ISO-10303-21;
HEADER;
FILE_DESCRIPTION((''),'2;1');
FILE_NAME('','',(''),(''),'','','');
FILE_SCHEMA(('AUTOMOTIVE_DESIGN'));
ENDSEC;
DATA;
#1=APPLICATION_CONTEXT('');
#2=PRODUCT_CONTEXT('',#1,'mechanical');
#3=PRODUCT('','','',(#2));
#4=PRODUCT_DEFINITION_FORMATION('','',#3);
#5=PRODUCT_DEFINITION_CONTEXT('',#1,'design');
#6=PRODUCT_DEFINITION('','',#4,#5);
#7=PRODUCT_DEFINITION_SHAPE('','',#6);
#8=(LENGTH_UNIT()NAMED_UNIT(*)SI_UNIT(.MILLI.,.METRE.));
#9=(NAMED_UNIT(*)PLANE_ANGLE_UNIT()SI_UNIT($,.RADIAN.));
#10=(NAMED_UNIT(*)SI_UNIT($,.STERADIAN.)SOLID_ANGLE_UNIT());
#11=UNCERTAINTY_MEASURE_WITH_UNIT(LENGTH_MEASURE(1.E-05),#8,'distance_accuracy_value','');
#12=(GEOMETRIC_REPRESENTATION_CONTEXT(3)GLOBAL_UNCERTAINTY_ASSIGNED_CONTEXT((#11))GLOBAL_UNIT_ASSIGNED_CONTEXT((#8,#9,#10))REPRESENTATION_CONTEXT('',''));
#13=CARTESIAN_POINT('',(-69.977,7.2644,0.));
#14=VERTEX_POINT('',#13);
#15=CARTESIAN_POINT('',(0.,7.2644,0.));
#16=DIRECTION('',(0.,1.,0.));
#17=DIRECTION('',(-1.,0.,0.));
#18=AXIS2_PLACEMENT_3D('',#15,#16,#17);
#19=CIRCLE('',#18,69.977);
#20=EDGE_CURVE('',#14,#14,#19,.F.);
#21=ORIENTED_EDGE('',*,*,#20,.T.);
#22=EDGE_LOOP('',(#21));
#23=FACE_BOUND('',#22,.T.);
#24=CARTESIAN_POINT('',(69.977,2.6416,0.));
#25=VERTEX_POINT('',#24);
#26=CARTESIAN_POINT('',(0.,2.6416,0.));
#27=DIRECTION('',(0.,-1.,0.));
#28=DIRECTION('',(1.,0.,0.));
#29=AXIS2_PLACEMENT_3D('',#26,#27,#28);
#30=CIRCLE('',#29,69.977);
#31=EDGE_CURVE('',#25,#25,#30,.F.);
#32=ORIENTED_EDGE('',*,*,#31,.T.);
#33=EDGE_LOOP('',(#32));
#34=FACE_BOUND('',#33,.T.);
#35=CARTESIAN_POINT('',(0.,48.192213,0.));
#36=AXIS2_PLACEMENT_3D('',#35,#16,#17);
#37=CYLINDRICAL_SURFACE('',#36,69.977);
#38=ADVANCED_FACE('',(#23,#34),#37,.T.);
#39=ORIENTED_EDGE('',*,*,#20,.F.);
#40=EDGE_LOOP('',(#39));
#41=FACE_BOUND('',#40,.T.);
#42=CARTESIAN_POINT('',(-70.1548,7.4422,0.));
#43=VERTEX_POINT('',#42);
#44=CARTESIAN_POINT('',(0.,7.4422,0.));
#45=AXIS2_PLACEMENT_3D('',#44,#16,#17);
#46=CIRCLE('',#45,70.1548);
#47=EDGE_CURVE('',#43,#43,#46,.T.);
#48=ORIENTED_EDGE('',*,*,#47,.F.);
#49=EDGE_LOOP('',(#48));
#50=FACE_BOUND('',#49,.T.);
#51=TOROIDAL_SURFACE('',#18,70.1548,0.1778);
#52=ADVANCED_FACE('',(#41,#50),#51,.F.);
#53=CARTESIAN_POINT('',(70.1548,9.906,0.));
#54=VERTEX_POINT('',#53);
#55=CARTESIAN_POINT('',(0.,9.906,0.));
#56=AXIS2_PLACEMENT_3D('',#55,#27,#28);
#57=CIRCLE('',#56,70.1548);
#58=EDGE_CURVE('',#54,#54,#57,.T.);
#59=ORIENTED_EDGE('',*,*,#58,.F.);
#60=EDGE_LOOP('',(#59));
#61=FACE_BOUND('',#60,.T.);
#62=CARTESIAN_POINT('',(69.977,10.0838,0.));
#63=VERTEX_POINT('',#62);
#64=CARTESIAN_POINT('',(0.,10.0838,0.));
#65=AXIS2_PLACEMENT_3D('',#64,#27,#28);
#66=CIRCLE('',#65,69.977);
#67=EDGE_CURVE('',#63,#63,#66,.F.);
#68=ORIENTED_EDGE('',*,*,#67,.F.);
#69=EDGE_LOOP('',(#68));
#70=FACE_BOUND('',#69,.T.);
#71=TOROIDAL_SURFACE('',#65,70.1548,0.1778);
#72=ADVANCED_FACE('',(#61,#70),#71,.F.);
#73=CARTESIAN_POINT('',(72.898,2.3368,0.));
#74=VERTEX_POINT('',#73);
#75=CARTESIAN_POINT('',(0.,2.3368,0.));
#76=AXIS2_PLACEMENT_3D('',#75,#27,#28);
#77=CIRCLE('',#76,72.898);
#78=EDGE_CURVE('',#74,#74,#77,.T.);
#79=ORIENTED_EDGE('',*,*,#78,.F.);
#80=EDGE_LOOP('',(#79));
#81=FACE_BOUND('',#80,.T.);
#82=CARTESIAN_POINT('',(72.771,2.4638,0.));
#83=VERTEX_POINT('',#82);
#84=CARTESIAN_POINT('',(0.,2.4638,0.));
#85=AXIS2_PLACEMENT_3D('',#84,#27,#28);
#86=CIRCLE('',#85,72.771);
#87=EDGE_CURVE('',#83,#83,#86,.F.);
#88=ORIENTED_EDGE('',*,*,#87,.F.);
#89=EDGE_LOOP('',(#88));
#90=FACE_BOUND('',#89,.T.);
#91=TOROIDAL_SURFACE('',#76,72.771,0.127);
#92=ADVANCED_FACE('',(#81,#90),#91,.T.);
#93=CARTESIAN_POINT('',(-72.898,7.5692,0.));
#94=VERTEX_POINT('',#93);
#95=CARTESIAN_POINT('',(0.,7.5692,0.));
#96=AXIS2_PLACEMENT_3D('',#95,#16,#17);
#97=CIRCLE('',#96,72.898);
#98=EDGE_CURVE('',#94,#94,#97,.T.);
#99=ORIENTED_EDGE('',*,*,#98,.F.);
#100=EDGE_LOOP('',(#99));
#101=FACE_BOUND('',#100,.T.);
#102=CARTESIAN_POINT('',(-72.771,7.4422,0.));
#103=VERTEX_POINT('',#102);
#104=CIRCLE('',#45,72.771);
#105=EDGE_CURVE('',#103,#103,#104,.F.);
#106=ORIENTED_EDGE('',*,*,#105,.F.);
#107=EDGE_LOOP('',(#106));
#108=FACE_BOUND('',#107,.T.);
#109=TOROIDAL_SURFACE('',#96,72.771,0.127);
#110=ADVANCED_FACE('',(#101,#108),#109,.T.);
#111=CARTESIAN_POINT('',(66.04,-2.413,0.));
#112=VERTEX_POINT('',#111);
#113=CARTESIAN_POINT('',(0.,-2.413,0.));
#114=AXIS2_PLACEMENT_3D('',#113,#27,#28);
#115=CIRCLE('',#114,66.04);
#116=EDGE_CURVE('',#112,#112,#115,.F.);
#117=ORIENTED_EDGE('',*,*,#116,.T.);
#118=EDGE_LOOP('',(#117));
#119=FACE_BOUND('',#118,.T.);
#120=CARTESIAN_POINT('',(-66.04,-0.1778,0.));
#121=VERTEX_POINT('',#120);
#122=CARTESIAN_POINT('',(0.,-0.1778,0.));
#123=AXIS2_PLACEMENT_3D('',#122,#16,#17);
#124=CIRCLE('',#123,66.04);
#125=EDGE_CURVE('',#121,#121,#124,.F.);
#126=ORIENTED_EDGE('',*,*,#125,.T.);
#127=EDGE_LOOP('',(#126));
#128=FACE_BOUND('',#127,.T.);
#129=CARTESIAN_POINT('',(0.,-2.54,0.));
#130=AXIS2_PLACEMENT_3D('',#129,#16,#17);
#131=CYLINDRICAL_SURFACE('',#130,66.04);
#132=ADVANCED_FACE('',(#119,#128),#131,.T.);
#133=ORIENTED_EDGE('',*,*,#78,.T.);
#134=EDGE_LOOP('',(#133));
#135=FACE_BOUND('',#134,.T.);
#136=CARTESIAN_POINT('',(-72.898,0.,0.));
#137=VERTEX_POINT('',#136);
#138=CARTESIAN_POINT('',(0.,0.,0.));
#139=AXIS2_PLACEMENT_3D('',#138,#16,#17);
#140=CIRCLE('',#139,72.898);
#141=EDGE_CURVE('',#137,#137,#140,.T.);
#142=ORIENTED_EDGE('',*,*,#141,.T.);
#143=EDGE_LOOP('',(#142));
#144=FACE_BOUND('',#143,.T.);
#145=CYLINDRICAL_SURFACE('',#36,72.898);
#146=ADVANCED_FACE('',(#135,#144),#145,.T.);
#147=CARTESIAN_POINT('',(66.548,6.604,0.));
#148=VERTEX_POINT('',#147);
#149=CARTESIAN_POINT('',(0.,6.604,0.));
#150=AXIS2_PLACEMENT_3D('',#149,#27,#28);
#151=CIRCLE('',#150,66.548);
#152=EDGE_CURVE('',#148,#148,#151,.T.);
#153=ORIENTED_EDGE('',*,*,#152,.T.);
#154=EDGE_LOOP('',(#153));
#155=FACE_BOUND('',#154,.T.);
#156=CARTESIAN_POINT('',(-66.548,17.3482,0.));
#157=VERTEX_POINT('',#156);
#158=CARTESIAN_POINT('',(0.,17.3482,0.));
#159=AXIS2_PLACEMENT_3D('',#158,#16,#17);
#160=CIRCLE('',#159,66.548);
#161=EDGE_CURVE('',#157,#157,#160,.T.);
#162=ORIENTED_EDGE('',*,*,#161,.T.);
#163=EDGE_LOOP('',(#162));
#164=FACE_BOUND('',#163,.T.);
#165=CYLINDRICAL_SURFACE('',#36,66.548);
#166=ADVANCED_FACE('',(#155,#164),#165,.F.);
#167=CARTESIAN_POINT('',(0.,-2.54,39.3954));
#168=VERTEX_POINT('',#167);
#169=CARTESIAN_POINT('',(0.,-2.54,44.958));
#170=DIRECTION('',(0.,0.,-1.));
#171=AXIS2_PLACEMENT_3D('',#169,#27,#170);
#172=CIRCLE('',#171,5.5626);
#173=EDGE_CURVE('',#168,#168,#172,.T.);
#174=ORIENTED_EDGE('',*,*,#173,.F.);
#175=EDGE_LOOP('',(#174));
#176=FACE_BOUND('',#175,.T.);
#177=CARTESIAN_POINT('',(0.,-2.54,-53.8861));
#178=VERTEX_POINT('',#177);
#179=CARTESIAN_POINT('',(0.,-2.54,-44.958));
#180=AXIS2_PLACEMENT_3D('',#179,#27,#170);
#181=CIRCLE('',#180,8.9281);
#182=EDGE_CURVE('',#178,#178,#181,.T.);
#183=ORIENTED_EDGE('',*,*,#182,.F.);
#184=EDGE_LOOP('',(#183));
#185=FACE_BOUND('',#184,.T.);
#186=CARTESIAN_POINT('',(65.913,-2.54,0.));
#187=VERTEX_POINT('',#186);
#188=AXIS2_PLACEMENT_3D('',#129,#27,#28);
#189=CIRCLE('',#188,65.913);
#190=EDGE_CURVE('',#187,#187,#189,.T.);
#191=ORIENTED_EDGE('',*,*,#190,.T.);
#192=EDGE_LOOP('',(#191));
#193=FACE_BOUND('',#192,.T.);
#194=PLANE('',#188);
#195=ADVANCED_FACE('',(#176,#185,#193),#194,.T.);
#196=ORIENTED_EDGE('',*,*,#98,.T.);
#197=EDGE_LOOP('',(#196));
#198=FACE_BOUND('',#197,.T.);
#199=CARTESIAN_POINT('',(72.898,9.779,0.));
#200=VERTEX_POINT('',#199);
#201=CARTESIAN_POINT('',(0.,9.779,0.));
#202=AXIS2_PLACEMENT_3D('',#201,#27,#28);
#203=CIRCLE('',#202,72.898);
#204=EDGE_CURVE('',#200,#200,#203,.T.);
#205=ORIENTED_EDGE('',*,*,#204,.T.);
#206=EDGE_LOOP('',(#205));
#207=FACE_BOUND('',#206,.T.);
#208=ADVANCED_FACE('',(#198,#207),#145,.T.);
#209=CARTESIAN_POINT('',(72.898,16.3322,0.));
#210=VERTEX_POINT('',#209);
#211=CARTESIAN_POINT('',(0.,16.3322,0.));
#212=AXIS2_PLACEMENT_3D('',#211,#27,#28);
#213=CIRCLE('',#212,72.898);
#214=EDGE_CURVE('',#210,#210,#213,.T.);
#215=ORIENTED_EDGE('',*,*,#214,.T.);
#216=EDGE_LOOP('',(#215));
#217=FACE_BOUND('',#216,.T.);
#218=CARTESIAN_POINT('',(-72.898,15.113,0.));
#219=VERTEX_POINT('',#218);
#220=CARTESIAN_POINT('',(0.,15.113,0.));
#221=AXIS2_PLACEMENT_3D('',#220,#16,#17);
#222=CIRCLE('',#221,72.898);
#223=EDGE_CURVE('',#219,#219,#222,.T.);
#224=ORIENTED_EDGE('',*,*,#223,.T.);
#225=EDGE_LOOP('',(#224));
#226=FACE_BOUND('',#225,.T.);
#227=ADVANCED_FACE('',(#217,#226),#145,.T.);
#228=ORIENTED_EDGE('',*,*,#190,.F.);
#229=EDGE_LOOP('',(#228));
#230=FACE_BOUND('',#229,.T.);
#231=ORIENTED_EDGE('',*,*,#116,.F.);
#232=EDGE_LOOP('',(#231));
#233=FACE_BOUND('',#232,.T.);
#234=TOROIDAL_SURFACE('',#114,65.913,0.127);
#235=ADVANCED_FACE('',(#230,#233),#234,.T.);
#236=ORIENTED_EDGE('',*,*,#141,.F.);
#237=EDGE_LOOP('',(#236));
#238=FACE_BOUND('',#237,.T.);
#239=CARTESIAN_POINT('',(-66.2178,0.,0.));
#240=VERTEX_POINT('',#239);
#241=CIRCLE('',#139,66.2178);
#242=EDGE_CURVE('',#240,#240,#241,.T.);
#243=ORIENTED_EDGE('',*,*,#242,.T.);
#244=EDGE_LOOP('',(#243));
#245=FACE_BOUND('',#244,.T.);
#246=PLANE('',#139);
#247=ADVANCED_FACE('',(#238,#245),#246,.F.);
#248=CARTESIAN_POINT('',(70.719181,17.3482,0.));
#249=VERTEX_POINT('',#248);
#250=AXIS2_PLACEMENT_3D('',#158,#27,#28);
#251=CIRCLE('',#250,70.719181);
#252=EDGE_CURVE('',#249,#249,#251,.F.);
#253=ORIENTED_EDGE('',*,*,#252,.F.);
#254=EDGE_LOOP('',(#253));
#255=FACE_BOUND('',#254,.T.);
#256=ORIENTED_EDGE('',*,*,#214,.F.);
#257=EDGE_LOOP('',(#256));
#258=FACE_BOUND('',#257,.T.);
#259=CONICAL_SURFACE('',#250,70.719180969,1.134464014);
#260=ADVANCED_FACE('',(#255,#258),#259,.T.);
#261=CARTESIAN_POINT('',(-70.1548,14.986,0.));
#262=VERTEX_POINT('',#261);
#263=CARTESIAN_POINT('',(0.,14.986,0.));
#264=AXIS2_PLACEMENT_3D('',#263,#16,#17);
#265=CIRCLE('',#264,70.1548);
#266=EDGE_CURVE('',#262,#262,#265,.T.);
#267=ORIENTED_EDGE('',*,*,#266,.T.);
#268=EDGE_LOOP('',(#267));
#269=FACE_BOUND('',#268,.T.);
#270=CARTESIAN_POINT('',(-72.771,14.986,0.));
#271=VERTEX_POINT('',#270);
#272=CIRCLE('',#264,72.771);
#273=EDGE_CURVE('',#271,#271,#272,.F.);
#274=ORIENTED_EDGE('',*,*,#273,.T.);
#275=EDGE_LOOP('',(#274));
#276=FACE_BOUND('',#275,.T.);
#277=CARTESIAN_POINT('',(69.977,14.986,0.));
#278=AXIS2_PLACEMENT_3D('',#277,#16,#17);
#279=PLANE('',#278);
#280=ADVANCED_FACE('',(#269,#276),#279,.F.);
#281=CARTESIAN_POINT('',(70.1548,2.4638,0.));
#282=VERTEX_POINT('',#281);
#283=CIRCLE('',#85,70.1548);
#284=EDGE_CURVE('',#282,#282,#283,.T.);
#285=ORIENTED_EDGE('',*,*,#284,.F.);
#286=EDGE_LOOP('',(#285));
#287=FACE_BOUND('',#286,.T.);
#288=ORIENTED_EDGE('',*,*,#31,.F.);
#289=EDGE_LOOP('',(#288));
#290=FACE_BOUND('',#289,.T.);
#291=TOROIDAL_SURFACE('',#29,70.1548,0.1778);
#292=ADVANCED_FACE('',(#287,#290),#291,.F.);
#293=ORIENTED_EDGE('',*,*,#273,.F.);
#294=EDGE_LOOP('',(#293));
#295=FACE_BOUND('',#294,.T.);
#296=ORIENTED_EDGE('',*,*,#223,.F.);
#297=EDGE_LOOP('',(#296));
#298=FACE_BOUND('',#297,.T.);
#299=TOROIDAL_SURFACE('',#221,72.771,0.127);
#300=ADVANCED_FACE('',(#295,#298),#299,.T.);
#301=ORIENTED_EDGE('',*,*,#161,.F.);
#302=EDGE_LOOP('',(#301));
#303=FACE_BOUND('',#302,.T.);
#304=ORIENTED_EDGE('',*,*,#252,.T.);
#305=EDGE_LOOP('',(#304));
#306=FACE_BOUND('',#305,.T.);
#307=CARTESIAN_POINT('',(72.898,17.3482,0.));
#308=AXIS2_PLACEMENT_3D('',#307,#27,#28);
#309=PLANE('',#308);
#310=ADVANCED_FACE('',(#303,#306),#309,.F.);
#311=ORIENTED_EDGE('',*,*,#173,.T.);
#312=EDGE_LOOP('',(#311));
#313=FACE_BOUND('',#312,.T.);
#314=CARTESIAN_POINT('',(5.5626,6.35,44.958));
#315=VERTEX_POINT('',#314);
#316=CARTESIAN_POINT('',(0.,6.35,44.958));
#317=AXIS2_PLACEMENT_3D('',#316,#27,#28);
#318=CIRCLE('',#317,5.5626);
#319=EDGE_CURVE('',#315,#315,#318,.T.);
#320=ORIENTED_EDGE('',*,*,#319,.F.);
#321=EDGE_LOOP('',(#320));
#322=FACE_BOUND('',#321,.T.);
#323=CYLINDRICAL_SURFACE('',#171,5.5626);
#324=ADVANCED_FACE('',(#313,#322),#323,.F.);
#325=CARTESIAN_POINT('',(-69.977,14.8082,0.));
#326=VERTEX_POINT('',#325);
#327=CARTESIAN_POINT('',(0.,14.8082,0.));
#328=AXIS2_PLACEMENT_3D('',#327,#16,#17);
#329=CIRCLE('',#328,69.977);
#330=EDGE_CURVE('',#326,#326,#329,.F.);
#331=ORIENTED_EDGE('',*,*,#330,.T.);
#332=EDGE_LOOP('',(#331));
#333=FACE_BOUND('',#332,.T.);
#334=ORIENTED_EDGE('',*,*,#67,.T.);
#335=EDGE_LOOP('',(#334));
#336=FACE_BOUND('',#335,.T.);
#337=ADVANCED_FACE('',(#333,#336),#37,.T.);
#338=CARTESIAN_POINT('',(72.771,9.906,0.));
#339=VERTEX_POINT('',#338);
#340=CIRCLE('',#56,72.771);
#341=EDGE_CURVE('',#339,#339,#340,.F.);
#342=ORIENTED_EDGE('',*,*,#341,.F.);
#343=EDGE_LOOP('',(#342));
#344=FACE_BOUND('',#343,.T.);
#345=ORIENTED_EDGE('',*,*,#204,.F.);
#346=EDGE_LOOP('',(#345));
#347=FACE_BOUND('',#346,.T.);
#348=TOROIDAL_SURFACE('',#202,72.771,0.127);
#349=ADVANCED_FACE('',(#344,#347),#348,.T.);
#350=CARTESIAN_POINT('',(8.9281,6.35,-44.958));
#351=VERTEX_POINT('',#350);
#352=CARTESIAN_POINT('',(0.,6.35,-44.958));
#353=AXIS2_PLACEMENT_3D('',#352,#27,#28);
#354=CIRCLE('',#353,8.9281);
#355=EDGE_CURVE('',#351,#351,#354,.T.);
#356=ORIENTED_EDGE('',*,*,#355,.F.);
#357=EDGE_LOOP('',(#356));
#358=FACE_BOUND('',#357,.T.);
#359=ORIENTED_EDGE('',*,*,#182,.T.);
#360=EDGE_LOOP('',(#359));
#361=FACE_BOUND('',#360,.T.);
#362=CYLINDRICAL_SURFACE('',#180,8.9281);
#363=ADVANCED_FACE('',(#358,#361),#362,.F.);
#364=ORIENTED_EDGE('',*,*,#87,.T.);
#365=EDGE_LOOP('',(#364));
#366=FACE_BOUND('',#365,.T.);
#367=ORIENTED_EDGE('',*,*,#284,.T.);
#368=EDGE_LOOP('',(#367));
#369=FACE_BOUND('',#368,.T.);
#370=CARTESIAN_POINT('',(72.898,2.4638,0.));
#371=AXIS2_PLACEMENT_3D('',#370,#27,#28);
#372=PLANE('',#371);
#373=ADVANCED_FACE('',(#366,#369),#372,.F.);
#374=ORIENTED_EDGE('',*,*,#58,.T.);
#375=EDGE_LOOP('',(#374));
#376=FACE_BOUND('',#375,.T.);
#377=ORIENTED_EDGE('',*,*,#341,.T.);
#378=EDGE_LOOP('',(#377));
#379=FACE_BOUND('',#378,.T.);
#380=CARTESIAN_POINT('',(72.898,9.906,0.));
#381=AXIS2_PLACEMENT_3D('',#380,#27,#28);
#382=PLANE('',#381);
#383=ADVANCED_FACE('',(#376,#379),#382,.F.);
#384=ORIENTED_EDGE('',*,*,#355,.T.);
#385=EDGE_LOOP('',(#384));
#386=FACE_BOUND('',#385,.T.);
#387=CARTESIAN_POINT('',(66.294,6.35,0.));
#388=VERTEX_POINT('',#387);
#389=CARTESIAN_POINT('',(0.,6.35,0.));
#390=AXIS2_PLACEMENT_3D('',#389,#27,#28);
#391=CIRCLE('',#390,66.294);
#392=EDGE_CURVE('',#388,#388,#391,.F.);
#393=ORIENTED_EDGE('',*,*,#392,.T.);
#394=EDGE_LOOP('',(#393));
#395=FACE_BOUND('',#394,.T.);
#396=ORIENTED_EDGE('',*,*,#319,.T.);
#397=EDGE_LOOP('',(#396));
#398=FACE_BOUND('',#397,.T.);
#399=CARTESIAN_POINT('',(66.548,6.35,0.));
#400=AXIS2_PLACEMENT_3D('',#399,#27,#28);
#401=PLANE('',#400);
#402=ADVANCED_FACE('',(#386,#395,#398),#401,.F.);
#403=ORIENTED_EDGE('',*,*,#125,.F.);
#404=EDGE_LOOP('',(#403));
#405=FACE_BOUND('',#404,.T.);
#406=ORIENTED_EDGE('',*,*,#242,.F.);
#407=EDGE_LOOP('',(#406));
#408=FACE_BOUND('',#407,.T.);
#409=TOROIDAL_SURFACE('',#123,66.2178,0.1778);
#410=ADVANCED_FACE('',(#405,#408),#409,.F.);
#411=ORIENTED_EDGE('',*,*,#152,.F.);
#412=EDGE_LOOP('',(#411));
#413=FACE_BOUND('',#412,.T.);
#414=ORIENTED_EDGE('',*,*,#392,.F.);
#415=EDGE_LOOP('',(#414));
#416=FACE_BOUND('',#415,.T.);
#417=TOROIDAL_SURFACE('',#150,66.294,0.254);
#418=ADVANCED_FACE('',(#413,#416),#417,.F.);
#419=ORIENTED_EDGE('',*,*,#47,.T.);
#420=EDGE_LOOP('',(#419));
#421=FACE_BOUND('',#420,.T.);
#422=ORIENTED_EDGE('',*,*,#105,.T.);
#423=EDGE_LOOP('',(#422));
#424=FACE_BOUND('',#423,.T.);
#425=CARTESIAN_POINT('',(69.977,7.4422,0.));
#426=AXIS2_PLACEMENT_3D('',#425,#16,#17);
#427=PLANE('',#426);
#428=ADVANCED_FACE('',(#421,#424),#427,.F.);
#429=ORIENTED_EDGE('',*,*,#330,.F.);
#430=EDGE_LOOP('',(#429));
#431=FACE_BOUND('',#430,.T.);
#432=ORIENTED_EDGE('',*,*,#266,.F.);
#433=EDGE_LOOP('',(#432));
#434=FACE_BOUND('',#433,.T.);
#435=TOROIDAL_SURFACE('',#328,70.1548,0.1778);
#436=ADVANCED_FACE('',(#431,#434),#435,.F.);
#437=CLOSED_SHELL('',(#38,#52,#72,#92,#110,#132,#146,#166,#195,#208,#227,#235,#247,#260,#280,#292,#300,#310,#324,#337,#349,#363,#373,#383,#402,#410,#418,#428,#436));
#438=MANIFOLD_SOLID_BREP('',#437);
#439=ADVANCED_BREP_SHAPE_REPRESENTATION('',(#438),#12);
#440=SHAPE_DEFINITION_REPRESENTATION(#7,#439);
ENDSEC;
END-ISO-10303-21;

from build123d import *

# Parameters (mm, degrees)
SKETCH6_R                                = 66.04
BOSS_EXTRUDE1_DEPTH                      = 2.54
CNC_ID_FILLET_R                          = 0.1778
CNC_OD_FILLET_R                          = 0.127
CNC_CHAMFERS_SIZE                        = 1.016
CNC_CHAMFERS_SIZE2                       = 2.178819031
CNC_BORE_FILLET_R                        = 0.254
PIPE_TAP_DRILL_FOR_1_2_TAP_FILL_VALVE_D  = 17.8562
PIPE_TAP_DRILL_FOR_1_4_TAP_SOLENOID_VA_D = 11.1252


with BuildPart() as part:
    # Sketch1 → Revolve1 (revolve)
    with BuildSketch(Plane.XY, mode=Mode.PRIVATE) as revolve1_sk:
        Polygon((0, 0), (72.898, 0), (72.898, 2.4638), (69.977, 2.4638), (69.977, 7.4422), (72.898, 7.4422), (72.898, 9.906), (69.977, 9.906), (69.977, 14.986), (72.898, 14.986), (72.898, 17.3482), (66.548, 17.3482), (66.548, 6.35), (0, 6.35), align=None)
    revolve(revolve1_sk.sketch.rotate(Axis((0, 48.192213231, 0), (0, -1, 0)), 180), axis=Axis((0, 48.192213231, 0), (0, -1, 0)))

    # Sketch6 → Boss-Extrude1 (add)
    with BuildSketch(Plane.XZ):
        Circle(SKETCH6_R)
    extrude(amount=BOSS_EXTRUDE1_DEPTH)

    # CNC ID Fillet
    cnc_id_fillet_edges = [part.edges().sort_by_distance(p)[0] for p in [
        (69.977, 14.986, 0),
        (69.977, 9.906, 0),
        (69.977, 7.4422, 0),
        (69.977, 2.4638, 0),
        (-66.04, 0, 0),
    ]]
    fillet(cnc_id_fillet_edges, radius=CNC_ID_FILLET_R)

    # CNC OD Fillet
    cnc_od_fillet_edges = [part.edges().sort_by_distance(p)[0] for p in [
        (72.898, 14.986, 0),
        (72.898, 9.906, 0),
        (72.898, 7.4422, 0),
        (72.898, 2.4638, 0),
        (-66.04, -2.54, 0),
    ]]
    fillet(cnc_od_fillet_edges, radius=CNC_OD_FILLET_R)

    # CNC Chamfers
    cnc_chamfers_edges = [part.edges().sort_by_distance(p)[0] for p in [
        (72.898, 17.3482, 0),
    ]]
    cnc_chamfers_side = [part.faces().sort_by_distance(p)[0] for p in [
        (72.898, 16.2306, 0),
    ]]
    chamfer(cnc_chamfers_edges, length=CNC_CHAMFERS_SIZE, length2=CNC_CHAMFERS_SIZE2, reference=cnc_chamfers_side[0])

    # CNC Bore Fillet
    cnc_bore_fillet_edges = [part.edges().sort_by_distance(p)[0] for p in [
        (66.548, 6.35, 0),
    ]]
    fillet(cnc_bore_fillet_edges, radius=CNC_BORE_FILLET_R)

    # Pipe Tap Drill for 1/2 Tap - Fill Valve (through all)
    with Locations(Plane(origin=(0, -2.54, 0), x_dir=(-1, 0, 0), z_dir=(0, -1, 0))):
        with Locations((0, 44.958)):
            Hole(PIPE_TAP_DRILL_FOR_1_2_TAP_FILL_VALVE_D / 2)

    # Pipe Tap Drill for 1/4 Tap - Solenoid Valve (through all)
    with Locations(Plane(origin=(0, -2.54, 0), x_dir=(-1, 0, 0), z_dir=(0, -1, 0))):
        with Locations((0, -44.958)):
            Hole(PIPE_TAP_DRILL_FOR_1_4_TAP_SOLENOID_VA_D / 2)


solid = part.part
